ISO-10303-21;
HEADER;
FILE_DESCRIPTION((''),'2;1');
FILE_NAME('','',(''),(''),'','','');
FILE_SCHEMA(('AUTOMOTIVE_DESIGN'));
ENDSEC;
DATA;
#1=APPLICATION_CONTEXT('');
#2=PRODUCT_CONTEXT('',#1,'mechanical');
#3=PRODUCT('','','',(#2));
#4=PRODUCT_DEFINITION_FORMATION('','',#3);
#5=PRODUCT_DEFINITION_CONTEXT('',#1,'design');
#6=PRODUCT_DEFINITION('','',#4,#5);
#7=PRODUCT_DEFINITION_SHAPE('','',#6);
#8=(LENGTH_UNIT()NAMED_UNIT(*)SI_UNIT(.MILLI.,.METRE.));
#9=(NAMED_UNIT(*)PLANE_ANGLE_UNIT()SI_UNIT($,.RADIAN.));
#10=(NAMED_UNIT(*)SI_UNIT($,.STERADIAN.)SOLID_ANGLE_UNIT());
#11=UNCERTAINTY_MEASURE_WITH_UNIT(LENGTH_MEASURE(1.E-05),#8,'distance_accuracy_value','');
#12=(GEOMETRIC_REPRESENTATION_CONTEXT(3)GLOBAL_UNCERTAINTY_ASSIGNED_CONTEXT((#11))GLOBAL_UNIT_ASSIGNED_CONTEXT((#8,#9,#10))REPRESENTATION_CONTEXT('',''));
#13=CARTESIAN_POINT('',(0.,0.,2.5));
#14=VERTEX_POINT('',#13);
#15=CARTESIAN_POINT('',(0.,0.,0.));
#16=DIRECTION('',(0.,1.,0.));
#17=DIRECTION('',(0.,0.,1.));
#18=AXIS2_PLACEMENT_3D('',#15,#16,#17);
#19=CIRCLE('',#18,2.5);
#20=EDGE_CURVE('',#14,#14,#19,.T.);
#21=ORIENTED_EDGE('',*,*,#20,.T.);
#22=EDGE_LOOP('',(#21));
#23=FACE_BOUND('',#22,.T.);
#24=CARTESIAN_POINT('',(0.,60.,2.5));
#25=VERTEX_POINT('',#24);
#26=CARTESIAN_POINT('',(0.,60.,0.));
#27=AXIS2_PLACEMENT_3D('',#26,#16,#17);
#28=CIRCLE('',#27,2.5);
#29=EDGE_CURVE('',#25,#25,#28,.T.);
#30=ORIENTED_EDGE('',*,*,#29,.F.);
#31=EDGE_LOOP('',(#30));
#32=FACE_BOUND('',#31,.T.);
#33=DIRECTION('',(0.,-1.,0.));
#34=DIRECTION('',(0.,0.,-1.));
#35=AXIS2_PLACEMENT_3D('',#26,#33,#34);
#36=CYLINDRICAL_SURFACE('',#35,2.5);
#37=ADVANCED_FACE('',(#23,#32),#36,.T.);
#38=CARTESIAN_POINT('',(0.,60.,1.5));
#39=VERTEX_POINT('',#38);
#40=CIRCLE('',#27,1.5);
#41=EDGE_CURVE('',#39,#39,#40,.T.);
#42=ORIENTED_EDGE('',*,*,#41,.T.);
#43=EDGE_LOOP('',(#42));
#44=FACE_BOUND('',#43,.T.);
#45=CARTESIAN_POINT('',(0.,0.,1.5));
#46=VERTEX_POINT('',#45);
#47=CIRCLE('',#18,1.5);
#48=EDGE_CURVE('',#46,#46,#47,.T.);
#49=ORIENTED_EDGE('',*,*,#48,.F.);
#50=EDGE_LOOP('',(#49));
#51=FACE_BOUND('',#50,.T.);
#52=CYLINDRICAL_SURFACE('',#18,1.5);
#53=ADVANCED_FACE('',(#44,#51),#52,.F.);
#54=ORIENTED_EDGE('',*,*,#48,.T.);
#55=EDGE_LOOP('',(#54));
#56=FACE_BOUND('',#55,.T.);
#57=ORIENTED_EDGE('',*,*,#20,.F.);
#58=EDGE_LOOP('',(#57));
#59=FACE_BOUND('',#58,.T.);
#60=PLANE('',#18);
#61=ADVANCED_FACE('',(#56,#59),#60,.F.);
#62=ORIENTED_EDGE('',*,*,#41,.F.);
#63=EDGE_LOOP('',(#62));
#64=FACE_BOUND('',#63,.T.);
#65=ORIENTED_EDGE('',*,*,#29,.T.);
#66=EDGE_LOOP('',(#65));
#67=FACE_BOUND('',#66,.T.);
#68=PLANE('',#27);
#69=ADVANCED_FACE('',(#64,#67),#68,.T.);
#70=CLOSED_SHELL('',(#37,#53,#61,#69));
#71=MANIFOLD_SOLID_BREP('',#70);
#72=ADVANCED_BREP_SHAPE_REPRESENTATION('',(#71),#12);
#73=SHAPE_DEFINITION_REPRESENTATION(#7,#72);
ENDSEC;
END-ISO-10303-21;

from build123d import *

# Parameters (mm, degrees)
SKETCH1_R           = 2.5
BOSS_EXTRUDE1_DEPTH = 60
SKETCH2_R           = 1.5
CUT_EXTRUDE1_DEPTH  = 61


with BuildPart() as part:
    # Sketch1 → Boss-Extrude1 (new body)
    with BuildSketch(Plane(origin=(0, 0, 0), x_dir=(1, 0, 0), z_dir=(0, 1, 0))):
        Circle(SKETCH1_R)
    extrude(amount=BOSS_EXTRUDE1_DEPTH)

    # Sketch2 → Cut-Extrude1 (cut, through all)
    with BuildSketch(Plane(origin=(0, 60, 0), x_dir=(1, 0, 0), z_dir=(0, 1, 0))):
        Circle(SKETCH2_R)
    extrude(amount=-CUT_EXTRUDE1_DEPTH, mode=Mode.SUBTRACT)


solid = part.part
